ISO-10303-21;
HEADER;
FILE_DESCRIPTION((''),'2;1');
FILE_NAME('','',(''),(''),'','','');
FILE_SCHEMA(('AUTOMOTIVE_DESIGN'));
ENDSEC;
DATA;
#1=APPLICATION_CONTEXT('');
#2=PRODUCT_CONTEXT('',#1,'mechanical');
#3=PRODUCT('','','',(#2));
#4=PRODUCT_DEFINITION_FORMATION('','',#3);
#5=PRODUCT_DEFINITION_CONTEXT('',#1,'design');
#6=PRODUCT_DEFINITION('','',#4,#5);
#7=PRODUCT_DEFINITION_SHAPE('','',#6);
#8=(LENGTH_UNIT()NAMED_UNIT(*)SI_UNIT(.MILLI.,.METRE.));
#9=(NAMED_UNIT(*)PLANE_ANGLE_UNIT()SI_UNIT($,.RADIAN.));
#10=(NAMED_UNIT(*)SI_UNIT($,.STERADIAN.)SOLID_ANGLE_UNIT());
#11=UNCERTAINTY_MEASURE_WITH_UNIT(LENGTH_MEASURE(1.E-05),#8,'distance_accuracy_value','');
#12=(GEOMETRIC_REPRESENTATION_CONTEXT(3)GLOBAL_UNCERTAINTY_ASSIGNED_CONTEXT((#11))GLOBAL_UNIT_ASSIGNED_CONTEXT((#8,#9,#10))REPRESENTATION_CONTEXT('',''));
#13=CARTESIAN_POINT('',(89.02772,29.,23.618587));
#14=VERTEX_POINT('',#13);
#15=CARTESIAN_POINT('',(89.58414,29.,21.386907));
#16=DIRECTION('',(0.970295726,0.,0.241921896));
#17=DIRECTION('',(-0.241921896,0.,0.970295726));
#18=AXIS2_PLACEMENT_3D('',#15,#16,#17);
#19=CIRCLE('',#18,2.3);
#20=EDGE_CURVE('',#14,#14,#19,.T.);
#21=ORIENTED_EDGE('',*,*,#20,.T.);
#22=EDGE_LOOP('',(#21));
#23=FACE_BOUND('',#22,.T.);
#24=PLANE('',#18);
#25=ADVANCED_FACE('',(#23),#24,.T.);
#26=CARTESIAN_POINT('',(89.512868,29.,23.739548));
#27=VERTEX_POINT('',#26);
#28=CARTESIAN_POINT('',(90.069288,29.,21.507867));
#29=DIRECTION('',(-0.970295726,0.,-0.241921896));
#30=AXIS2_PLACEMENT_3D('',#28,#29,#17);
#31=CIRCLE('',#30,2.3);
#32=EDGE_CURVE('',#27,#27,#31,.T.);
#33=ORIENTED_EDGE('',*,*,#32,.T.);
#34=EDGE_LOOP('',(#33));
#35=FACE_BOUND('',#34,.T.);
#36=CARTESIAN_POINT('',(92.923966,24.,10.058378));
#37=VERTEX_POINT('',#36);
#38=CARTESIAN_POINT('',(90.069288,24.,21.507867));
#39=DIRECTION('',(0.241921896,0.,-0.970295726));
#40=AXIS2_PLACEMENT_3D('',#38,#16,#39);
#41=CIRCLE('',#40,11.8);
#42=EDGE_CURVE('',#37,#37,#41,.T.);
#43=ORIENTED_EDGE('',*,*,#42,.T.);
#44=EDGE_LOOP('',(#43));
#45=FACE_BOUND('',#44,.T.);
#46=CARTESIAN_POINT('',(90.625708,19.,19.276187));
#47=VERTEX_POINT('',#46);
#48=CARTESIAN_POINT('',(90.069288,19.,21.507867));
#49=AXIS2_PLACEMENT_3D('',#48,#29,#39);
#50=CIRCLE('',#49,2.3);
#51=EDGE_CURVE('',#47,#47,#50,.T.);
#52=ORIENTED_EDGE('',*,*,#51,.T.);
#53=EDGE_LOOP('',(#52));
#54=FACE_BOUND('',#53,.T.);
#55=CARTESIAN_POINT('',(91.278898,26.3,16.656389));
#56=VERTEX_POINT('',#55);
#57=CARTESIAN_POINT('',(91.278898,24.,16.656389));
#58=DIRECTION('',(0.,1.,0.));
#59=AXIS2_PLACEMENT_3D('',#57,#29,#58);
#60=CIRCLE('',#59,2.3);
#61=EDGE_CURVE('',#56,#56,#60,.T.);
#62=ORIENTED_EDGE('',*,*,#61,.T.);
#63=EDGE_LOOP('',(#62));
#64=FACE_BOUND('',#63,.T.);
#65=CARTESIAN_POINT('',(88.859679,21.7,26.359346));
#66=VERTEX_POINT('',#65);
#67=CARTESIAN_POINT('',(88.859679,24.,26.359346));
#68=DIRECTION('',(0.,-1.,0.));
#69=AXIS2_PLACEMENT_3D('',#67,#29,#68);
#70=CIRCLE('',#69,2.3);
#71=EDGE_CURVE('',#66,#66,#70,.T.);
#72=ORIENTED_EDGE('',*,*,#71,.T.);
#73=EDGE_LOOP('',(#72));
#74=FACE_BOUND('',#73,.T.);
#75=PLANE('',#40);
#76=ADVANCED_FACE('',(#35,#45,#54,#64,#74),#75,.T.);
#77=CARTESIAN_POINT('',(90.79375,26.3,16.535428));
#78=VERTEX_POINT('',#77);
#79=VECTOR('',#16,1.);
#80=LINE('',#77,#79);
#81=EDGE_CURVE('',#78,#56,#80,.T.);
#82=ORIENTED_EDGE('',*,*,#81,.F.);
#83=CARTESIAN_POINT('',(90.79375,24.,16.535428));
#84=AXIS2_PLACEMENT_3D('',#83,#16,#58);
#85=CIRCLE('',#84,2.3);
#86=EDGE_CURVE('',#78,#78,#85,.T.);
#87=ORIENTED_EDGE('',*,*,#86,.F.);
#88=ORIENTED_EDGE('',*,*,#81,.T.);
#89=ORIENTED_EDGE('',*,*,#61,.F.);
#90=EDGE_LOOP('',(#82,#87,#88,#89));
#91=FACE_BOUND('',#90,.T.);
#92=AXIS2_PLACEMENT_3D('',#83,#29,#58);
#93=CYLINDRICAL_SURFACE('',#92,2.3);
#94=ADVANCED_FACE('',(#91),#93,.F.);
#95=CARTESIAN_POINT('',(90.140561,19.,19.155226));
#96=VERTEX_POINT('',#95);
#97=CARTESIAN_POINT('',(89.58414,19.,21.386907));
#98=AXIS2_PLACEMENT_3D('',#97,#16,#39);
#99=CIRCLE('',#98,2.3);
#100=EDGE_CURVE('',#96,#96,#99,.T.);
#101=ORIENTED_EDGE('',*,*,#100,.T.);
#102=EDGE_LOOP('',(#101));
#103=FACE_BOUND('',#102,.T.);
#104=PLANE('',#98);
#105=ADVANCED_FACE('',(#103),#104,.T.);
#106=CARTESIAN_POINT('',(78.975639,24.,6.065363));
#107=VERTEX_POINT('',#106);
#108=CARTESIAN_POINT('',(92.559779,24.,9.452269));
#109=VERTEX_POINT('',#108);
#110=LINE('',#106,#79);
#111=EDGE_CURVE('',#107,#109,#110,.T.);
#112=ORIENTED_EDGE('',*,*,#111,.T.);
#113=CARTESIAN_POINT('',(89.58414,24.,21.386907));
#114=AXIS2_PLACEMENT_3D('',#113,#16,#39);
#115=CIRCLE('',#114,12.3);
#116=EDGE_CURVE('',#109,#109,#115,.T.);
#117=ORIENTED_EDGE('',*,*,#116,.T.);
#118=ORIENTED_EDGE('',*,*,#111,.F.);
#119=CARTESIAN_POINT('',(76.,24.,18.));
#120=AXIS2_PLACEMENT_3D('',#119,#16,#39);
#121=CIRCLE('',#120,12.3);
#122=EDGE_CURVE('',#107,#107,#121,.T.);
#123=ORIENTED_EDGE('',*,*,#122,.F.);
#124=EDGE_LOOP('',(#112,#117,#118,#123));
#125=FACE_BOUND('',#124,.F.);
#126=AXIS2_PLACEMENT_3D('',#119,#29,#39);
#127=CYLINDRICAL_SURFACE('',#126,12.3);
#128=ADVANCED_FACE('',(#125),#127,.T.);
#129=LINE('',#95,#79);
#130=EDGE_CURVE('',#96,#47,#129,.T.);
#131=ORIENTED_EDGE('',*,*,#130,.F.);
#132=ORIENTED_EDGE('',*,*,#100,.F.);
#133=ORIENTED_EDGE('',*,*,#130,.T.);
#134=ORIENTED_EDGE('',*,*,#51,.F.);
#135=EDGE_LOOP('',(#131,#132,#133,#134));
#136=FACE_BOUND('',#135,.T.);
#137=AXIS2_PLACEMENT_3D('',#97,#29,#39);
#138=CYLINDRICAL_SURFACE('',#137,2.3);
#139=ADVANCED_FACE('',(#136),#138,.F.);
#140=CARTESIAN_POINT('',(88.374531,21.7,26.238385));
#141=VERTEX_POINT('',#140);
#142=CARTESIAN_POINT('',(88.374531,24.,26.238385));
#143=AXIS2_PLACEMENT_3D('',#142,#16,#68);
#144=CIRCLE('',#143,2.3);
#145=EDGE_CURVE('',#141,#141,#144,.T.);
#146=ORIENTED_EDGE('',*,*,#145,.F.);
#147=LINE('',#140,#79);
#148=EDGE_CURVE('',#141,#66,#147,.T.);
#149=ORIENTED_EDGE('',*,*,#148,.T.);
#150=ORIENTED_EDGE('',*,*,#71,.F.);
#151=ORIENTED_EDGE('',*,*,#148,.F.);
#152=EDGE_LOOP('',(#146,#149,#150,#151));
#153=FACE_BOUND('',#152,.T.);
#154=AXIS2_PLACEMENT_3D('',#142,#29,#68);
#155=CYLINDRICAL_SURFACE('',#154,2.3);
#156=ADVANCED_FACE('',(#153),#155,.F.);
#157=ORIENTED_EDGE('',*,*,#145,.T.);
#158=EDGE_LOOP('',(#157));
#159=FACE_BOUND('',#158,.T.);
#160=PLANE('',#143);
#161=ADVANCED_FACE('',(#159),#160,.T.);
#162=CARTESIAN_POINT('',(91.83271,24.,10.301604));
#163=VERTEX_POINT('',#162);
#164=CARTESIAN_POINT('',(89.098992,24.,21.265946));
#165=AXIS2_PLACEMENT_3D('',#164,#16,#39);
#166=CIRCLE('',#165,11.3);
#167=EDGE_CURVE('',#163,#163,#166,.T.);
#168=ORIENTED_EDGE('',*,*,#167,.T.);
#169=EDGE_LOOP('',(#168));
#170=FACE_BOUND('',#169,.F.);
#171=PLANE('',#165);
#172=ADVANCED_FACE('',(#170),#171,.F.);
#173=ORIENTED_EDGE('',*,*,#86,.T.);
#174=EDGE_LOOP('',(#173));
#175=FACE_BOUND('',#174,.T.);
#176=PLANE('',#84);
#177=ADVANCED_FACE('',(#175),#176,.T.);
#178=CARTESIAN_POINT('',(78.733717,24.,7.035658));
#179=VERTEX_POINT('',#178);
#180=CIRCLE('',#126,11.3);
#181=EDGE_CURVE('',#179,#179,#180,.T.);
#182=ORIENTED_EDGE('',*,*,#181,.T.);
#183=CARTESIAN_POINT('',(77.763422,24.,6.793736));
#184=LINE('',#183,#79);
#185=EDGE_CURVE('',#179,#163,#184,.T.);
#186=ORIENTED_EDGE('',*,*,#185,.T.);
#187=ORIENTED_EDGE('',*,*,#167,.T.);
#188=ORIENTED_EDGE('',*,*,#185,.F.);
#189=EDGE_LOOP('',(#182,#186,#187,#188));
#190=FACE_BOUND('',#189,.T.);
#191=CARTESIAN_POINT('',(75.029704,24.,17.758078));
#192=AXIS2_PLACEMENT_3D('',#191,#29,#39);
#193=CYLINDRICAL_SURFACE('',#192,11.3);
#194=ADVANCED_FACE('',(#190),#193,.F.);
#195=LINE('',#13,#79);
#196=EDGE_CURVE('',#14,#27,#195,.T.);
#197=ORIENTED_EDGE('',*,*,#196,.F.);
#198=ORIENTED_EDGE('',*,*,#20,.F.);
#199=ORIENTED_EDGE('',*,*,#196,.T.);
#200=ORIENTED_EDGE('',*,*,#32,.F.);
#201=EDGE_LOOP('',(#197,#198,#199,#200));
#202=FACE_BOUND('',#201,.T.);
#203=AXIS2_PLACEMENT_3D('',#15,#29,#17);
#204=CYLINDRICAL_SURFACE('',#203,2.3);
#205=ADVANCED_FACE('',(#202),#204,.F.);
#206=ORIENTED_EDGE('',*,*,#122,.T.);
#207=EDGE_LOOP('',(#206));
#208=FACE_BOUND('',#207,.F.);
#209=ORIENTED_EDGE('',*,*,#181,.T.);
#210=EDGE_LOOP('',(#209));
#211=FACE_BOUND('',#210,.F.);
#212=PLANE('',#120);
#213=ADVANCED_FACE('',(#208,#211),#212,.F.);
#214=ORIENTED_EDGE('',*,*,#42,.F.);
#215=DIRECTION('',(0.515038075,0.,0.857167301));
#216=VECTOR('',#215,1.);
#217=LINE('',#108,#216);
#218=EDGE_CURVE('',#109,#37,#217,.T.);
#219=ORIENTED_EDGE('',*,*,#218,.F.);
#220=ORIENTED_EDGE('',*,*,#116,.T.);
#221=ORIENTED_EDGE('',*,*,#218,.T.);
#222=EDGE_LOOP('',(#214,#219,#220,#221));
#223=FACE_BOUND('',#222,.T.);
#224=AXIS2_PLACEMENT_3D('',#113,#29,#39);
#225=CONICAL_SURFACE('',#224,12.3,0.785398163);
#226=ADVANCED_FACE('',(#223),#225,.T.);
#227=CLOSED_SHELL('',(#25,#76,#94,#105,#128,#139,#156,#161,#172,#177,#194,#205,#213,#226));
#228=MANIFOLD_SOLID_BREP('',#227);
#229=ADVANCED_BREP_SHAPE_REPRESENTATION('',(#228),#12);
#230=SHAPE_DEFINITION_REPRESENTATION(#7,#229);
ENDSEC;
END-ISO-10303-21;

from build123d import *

# Parameters (mm, degrees)
CYLINDER005_R            = 11.3
CYLINDER005_DEPTH        = 14.5
CYLINDER004_R            = 2.3
CYLINDER004_DEPTH        = 14.5
ARRAY_COUNT              = 4
CYLINDER003_R            = 8.3
CYLINDER003_DEPTH        = 14.5
CYLINDER002_R            = 12.3
CYLINDER002_DEPTH        = 14.5
CHAMFER_SIZE             = 0.5
CLONE001_PLACEMENT_ANGLE = 76


with BuildPart() as cylinder005:
    # Cylinder005 → Cylinder005 (new body)
    with BuildSketch(Plane.XY.offset(-1)):
        Circle(CYLINDER005_R)
    extrude(amount=CYLINDER005_DEPTH)


with BuildPart() as array:
    # Cylinder004 → Cylinder004 (new body)
    with BuildSketch(Plane(origin=(0, -5, 14), x_dir=(1, 0, 0), z_dir=(0, 0, 1))):
        Circle(CYLINDER004_R)
    extrude(amount=CYLINDER004_DEPTH)

    # Array: Array ×4 about axis
    array_axis = Axis((0, 0, 0), (0, 0, 1))


with BuildPart() as array_1:
    add(array.part)
    for i in range(1, ARRAY_COUNT):
        add(array.part.rotate(array_axis, i * 360 / ARRAY_COUNT))


with BuildPart() as cylinder003:
    # Cylinder003 → Cylinder003 (new body)
    with BuildSketch(Plane.XY.offset(14.5)):
        Circle(CYLINDER003_R)
    extrude(amount=CYLINDER003_DEPTH)


with BuildPart() as cup_compound_clone:
    # Cylinder002 → Cylinder002 (new body)
    with BuildSketch(Plane.XY):
        Circle(CYLINDER002_R)
    extrude(amount=CYLINDER002_DEPTH)

    # Cut002: cut Cylinder003
    add(cylinder003.part, mode=Mode.SUBTRACT)

    # Cut003: cut Array
    add(array_1.part, mode=Mode.SUBTRACT)

    # Cut004: cut Cylinder005
    add(cylinder005.part, mode=Mode.SUBTRACT)

    # Chamfer
    chamfer_edges = [cup_compound_clone.edges().sort_by_distance(p)[0] for p in [
        (-12.3, 0, 14.5),
    ]]
    chamfer(chamfer_edges, length=CHAMFER_SIZE)


with BuildPart() as cup_compound_clone_1:
    # Clone001 placement: moved
    add(cup_compound_clone.part.moved(Location((76, 24, 18))).rotate(Axis((76, 24, 18), (0, 1, 0)), CLONE001_PLACEMENT_ANGLE))


solid = cup_compound_clone_1.part
